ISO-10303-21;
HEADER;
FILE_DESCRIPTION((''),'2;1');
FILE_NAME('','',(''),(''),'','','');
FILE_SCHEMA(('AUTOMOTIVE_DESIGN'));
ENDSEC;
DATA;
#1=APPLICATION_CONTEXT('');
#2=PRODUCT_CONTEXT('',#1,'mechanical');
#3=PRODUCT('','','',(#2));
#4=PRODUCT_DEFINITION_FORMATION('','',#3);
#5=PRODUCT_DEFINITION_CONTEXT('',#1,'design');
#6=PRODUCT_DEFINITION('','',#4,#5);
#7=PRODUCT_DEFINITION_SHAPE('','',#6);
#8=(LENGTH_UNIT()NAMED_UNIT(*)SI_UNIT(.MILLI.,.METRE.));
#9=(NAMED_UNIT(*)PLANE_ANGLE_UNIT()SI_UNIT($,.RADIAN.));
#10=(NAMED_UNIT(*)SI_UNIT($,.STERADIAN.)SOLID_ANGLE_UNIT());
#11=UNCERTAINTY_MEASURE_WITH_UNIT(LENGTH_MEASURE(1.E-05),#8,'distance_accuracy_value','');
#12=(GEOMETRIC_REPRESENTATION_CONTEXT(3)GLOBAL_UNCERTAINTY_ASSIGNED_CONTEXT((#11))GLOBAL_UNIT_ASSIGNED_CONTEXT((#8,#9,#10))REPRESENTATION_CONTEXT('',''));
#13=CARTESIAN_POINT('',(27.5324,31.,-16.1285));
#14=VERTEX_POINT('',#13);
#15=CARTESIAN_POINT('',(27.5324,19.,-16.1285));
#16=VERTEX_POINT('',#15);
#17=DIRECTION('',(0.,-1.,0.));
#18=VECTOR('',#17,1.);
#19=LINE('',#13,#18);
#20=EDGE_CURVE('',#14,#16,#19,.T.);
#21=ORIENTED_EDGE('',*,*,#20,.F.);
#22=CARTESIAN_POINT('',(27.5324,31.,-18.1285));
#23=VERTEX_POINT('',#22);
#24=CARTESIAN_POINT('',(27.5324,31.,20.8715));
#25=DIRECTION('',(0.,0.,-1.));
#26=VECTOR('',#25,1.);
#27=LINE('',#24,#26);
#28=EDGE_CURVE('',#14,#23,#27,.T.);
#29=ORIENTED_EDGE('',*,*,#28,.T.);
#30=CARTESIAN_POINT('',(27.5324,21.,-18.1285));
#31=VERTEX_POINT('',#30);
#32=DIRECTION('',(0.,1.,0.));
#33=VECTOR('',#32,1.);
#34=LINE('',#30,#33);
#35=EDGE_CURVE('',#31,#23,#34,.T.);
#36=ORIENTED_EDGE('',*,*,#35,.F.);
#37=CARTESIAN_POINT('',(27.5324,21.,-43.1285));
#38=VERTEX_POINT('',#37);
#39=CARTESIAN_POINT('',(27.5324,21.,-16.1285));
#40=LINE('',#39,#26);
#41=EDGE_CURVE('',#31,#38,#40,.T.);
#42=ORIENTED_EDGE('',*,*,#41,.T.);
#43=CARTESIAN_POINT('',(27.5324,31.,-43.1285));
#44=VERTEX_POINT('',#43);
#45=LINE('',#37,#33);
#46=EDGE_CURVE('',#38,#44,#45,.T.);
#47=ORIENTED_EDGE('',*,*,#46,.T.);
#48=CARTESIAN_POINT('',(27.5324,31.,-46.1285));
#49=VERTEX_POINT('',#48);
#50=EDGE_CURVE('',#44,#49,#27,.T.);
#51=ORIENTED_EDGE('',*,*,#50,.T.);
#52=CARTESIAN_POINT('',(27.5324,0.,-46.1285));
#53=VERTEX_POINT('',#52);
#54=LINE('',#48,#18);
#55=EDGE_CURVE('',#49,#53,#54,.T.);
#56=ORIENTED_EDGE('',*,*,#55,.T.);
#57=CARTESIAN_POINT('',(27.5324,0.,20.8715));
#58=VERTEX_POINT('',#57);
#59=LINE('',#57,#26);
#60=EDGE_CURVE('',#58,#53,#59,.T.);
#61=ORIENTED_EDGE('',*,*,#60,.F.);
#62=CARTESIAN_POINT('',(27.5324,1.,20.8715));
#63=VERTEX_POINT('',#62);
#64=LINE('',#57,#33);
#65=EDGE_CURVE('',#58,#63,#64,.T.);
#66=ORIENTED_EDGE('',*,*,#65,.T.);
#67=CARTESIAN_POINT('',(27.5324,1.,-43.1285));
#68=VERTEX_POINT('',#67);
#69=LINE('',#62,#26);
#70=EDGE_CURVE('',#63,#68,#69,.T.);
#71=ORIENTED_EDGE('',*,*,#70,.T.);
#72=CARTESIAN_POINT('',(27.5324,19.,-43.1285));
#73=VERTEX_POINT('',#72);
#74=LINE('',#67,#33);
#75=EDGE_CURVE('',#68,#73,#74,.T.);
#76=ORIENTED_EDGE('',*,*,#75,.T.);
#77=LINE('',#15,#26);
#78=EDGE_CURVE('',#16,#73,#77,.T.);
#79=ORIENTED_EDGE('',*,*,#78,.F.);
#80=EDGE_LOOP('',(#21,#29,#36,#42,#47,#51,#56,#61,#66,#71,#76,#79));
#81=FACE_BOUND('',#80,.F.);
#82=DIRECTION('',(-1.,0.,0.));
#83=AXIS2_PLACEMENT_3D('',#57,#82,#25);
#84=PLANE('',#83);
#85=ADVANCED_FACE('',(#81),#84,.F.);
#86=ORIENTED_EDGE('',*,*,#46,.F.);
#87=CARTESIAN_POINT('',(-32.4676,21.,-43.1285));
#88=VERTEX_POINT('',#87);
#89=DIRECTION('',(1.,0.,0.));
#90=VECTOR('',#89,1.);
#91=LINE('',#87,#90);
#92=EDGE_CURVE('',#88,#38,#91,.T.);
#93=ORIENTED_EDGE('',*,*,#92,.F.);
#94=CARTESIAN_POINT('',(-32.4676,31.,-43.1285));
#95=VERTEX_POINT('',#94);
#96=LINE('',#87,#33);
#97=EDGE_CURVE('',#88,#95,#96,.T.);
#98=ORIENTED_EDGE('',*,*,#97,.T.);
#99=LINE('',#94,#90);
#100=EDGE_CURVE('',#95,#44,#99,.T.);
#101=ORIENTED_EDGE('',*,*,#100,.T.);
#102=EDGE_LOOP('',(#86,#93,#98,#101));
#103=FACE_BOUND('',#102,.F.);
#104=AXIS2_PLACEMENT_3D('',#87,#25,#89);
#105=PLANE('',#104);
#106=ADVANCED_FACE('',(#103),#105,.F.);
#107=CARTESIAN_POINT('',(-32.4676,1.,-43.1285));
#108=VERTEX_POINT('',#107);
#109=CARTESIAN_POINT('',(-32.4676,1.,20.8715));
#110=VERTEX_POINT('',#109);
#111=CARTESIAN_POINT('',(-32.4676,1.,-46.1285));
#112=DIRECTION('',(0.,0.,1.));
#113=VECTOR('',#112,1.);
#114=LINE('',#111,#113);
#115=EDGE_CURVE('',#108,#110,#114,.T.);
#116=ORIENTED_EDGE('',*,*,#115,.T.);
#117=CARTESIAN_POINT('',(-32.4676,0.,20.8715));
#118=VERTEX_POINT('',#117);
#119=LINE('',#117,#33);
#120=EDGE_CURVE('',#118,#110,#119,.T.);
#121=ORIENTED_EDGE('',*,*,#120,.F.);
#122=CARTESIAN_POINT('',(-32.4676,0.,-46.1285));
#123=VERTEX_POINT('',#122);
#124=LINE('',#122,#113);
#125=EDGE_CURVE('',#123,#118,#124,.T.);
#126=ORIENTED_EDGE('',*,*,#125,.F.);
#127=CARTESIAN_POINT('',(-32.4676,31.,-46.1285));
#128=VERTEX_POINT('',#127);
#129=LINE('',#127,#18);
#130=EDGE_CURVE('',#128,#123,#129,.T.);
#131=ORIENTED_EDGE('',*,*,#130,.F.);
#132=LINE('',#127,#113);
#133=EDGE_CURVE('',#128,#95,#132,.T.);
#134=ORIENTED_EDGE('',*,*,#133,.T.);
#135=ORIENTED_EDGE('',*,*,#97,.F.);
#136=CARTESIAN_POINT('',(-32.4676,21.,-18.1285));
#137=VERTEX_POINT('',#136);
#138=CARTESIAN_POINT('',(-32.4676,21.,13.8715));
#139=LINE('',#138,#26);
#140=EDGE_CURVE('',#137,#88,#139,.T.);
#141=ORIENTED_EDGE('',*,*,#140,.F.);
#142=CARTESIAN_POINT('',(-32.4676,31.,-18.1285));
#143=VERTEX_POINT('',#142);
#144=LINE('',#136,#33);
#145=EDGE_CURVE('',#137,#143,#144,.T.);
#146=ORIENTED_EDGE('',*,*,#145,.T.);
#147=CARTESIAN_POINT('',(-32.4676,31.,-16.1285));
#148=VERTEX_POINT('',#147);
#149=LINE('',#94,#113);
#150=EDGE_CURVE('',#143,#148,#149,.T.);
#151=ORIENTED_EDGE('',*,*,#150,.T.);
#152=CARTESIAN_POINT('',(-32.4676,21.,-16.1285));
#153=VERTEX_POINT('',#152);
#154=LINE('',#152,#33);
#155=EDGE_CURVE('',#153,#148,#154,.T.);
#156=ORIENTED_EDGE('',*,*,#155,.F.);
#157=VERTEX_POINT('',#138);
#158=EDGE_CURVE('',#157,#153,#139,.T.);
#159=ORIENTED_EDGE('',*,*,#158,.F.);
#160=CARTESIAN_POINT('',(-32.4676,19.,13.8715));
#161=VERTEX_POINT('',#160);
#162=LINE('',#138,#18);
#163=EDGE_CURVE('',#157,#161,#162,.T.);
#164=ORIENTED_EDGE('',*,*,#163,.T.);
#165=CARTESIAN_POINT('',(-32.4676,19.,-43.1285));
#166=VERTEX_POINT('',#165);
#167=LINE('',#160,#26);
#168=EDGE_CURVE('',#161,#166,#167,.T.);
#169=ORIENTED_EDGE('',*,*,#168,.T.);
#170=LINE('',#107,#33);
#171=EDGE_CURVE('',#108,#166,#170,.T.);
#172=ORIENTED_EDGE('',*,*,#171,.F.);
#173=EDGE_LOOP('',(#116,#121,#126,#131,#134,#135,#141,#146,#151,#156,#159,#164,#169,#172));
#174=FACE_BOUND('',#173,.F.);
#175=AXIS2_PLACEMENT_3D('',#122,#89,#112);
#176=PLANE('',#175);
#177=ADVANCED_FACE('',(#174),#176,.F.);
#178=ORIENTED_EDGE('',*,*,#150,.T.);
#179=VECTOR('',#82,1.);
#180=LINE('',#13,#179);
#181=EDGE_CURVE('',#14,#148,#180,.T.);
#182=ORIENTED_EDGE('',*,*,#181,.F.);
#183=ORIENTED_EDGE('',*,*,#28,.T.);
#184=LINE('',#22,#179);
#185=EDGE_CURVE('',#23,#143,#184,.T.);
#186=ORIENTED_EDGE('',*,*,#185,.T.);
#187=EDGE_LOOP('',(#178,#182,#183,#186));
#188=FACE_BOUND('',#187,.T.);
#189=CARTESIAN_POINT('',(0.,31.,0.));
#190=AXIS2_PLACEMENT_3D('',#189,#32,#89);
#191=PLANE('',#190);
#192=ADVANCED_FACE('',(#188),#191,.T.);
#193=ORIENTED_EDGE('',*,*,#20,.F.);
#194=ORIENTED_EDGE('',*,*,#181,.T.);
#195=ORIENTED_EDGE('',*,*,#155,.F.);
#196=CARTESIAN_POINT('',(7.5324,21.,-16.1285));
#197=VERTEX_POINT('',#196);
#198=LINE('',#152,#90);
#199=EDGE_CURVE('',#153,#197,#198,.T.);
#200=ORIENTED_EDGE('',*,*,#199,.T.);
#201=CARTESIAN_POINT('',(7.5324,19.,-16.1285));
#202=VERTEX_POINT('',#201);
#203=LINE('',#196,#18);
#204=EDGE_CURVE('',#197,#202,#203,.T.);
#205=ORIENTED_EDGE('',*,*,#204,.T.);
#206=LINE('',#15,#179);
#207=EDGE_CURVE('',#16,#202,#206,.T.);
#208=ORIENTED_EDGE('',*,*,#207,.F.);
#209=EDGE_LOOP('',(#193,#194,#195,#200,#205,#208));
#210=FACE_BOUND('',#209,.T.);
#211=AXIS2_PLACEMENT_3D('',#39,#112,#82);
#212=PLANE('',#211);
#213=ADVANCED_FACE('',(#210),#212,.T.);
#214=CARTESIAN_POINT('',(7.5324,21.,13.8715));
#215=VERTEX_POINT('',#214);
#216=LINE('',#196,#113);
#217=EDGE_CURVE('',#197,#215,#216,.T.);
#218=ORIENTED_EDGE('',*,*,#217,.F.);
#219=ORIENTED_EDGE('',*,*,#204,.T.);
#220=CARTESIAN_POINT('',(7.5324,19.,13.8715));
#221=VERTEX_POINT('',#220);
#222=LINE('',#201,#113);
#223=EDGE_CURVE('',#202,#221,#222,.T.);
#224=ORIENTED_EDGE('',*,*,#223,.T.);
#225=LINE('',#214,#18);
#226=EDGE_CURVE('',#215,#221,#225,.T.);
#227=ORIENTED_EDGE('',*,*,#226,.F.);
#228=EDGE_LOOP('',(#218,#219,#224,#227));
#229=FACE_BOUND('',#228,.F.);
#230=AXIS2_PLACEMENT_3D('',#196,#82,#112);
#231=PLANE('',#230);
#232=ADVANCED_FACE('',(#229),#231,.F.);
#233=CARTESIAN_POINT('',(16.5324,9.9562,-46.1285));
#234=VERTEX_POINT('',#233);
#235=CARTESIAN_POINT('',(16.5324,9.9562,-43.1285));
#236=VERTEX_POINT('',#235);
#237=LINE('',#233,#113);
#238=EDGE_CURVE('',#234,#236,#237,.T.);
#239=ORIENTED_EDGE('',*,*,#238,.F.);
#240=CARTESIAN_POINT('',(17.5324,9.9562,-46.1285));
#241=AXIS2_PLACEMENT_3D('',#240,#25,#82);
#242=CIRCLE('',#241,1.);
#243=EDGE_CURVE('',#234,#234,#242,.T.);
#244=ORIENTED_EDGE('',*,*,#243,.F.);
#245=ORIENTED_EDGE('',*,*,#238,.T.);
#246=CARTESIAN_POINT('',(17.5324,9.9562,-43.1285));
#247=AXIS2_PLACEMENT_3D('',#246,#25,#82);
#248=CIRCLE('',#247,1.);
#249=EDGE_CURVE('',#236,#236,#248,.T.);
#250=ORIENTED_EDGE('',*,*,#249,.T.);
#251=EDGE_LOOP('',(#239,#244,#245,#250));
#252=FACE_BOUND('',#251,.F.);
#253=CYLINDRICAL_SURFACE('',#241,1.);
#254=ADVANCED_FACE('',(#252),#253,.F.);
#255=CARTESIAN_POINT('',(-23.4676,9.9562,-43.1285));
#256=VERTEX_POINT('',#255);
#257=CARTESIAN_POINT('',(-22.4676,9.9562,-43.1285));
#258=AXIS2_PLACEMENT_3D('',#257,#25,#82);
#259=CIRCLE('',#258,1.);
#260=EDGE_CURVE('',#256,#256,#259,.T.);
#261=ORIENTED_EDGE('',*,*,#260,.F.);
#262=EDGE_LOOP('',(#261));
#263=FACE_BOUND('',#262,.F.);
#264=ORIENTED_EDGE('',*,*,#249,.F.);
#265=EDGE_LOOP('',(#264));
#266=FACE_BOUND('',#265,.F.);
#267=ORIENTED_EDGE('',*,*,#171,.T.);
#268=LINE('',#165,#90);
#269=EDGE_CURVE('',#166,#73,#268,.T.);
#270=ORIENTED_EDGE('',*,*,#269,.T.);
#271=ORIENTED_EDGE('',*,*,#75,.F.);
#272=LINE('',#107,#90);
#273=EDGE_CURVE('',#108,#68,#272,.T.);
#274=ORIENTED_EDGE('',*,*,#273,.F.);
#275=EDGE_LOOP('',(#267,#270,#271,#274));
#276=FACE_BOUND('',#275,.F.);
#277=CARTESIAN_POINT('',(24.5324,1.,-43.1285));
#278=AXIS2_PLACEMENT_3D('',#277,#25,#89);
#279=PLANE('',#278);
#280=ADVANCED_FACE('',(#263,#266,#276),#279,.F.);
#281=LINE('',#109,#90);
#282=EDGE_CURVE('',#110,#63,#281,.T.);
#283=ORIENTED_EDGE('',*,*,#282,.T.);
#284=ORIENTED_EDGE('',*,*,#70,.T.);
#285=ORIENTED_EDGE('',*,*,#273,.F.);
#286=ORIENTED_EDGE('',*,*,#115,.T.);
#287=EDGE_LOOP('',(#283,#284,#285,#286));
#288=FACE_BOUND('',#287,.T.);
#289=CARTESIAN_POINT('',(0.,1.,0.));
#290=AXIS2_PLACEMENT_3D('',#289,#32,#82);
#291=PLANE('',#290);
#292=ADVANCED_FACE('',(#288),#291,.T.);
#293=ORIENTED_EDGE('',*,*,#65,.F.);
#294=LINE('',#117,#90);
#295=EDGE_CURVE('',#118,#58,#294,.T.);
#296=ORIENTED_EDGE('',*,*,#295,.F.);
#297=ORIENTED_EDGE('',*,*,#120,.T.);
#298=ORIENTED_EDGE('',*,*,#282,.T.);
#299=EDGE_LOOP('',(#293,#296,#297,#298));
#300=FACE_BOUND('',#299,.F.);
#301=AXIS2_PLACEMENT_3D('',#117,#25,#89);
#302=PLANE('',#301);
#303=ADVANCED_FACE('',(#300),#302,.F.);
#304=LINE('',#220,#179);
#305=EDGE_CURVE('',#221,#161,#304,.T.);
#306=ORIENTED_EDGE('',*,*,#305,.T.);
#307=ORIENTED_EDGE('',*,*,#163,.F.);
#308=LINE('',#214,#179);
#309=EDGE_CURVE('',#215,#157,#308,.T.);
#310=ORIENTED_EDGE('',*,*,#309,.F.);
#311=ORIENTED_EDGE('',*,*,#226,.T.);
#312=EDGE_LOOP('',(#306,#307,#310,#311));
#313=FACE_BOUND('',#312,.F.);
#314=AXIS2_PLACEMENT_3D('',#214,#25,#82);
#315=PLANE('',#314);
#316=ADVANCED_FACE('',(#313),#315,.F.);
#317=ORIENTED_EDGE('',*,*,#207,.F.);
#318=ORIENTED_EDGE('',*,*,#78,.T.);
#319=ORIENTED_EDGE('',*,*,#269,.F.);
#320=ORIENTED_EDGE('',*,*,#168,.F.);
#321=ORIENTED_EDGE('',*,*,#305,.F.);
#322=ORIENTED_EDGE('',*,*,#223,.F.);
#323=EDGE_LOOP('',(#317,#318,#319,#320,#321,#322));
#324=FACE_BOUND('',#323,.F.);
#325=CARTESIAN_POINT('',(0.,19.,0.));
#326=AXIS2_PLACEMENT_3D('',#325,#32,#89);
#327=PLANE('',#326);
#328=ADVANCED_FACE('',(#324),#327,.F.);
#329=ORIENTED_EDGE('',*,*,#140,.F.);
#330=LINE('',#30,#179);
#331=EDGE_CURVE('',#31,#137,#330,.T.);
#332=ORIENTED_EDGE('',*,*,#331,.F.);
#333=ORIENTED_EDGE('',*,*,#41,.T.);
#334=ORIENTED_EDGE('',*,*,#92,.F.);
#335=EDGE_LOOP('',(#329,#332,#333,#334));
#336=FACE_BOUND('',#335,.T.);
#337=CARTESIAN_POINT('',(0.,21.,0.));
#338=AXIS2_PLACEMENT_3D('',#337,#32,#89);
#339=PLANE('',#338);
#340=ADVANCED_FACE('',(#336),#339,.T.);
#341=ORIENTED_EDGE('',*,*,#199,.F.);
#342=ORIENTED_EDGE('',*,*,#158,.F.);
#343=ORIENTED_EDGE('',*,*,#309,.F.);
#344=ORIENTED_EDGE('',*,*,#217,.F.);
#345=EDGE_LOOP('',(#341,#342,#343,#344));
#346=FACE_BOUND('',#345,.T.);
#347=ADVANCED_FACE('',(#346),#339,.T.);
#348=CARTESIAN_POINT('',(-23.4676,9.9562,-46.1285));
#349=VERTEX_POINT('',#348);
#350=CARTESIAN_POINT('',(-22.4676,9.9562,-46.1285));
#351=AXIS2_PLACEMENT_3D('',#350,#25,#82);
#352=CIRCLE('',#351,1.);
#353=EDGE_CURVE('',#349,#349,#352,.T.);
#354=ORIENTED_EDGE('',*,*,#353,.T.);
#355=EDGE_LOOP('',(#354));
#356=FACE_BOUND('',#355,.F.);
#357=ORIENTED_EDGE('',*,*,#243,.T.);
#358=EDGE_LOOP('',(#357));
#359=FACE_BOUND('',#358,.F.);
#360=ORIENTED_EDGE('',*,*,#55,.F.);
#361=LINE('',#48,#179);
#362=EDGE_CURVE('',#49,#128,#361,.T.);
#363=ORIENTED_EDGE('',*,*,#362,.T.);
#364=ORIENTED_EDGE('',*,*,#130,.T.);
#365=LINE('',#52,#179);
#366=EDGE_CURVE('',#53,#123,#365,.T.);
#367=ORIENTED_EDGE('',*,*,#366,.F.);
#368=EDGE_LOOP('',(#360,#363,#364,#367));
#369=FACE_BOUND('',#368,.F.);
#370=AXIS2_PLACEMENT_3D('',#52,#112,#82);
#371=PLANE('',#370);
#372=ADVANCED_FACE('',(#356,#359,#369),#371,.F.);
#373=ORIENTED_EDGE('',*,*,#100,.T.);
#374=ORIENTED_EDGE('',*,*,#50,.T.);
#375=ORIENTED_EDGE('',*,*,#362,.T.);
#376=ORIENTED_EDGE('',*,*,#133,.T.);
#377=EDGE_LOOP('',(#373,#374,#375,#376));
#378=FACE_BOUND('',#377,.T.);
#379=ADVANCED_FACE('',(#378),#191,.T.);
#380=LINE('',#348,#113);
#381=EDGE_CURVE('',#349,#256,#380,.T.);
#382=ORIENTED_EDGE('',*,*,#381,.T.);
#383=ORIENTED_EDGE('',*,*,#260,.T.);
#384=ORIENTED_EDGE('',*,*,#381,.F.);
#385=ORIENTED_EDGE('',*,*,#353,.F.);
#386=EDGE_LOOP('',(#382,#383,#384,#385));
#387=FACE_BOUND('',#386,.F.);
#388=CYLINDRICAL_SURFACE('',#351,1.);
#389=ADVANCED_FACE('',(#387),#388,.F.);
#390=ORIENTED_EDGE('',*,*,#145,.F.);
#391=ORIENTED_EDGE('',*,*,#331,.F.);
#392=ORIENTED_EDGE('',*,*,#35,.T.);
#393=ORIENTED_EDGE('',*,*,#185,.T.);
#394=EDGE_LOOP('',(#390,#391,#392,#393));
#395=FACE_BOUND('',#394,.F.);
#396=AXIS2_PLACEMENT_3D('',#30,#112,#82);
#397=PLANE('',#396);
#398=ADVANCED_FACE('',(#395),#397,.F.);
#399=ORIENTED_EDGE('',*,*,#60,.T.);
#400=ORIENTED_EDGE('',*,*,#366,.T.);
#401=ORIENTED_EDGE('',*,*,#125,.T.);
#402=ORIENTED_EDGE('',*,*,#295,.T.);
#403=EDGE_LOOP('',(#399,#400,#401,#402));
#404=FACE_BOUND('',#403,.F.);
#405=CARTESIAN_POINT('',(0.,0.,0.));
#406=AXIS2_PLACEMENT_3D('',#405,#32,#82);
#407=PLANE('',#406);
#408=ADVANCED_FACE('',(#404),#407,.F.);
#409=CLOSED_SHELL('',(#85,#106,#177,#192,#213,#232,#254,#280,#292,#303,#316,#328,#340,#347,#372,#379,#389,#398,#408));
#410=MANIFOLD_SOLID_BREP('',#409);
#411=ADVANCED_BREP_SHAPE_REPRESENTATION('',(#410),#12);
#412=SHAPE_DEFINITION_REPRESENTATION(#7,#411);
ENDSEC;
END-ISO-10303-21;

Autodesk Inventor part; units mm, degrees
ref_plane "YZ Plane" through (0, 0, 0) normal (1, 0, 0) x (0, 1, 0)
ref_plane "XZ Plane" through (0, 0, 0) normal (0, 1, 0) x (-1, 0, 0)
ref_plane "XY Plane" through (0, 0, 0) normal (0, 0, 1) x (1, 0, 0)
sketch "Sketch1" plane through (0, 0, 0) normal (0, 1, 0) x (-1, 0, 0)
  line L0 (32.4676, 20.8715) -> (-27.5324, 20.8715)
  line L1 (-27.5324, 20.8715) -> (-27.5324, -46.1285)
  line L2 (-27.5324, -46.1285) -> (32.4676, -46.1285)
  line L3 (32.4676, -46.1285) -> (32.4676, 20.8715)
  point P0 (0, 0)
  dimension "d2" = 60
  dimension "d3" = 67
extrude "Extrusion1" add sketch "Sketch1" along normal blind 1
sketch "Sketch2" plane through (0, 1, 0) normal (0, 1, 0) x (1, 0, 0)
  line L0 (27.5324, 46.1285) -> (-32.4676, 46.1285) projected
  line L1 (-32.4676, 46.1285) -> (-32.4676, -20.8715) projected
  line L2 (27.5324, 46.1285) -> (-32.4676, 46.1285)
  line L3 (-32.4676, 46.1285) -> (-32.4676, 43.1285)
  line L4 (-32.4676, 43.1285) -> (27.5324, 43.1285)
  line L5 (27.5324, 43.1285) -> (27.5324, 46.1285)
  line L6 (27.5324, 46.1285) -> (24.5324, 46.1285)
  line L7 (24.5324, 46.1285) -> (24.5324, -13.8715)
  line L8 (24.5324, -13.8715) -> (27.5324, -13.8715)
  line L9 (27.5324, -13.8715) -> (27.5324, 46.1285)
  point P0 (0, 0)
  point P1 (24.5324, 43.1285)
  dimension "d8" = 3
  dimension "d9" = 3
extrude "Extrusion2" add sketch "Sketch2" along normal blind 20 contours L5 L4 L7 L0 | L7 L4 L1 L0
sketch "Sketch3" plane through (0, 21, 0) normal (0, 1, 0) x (1, 0, 0)
  line L0 (27.5324, 46.1285) -> (-32.4676, 46.1285) projected
  line L1 (-32.4676, 46.1285) -> (-32.4676, 43.1285) projected
  line L2 (-32.4676, 43.1285) -> (27.5324, 43.1285) projected
  line L3 (27.5324, 43.1285) -> (-32.4676, 43.1285) projected
  line L4 (-32.4676, 43.1285) -> (-32.4676, -20.8715) projected
  line L5 (-32.4676, -20.8715) -> (27.5324, -20.8715) projected
  line L6 (27.5324, 46.1285) -> (-32.4676, 46.1285) projected
  line L7 (27.5324, -20.8715) -> (27.5324, 46.1285) projected
  line L8 (-32.4676, 46.1285) -> (27.5324, 46.1285)
  line L9 (27.5324, 46.1285) -> (27.5324, 18.1285)
  line L10 (27.5324, 18.1285) -> (-32.4676, 18.1285)
  line L11 (-32.4676, 18.1285) -> (-32.4676, 46.1285)
  line L12 (-32.4676, 18.1285) -> (27.5324, 18.1285)
  line L13 (27.5324, 18.1285) -> (27.5324, 16.1285)
  line L14 (27.5324, 16.1285) -> (-32.4676, 16.1285)
  line L15 (-32.4676, 16.1285) -> (-32.4676, 18.1285)
  line L16 (27.5324, -20.8715) -> (27.5324, 43.1285) projected
  line L17 (27.5324, 43.1285) -> (27.5324, 46.1285) projected
  line L18 (-32.4676, 16.1285) -> (7.5324, 16.1285)
  line L19 (7.5324, 16.1285) -> (7.5324, -13.8715)
  line L20 (7.5324, -13.8715) -> (-32.4676, -13.8715)
  line L21 (-32.4676, -13.8715) -> (-32.4676, 16.1285)
  point P0 (0, 0)
  point P1 (-32.4676, 16.1285)
  point P2 (-32.4676, 18.1285)
  point P3 (-32.4676, -13.8715)
  dimension "d16" = 2
  dimension "d19" = 25
  dimension "d26" = 40
  dimension "d27" = 30
extrude "Extrusion3" add sketch "Sketch3" against normal blind 2 contours L7 L10 L4 L2 | L7 L14 L4 L10 | L14 L19 L20 L4
extrude "Extrusion5" add sketch "Sketch3" along normal blind 10 contours L7 L2 L1 L0 | L7 L14 L4 L10
sketch "Sketch5" plane through (27.5324, 0, -46.1285) normal (0, 0, -1) x (-1, 0, 0)
  circle A0 centre (10, 9.9562) radius 1
  circle A1 centre (50, 9.9562) radius 1
  line L0 (0, 0) -> (0, 31) projected
  point P0 (27.5324, 0)
  dimension "d20" = 2
  dimension "d21" = 2
  dimension "d22" = 40
  dimension "d23" = 10
extrude "Extrusion6" cut sketch "Sketch5" against normal blind 20
equation "\"d9\" = d8"
equation "\"d21\" = d20"
properties part number "electric_base"
